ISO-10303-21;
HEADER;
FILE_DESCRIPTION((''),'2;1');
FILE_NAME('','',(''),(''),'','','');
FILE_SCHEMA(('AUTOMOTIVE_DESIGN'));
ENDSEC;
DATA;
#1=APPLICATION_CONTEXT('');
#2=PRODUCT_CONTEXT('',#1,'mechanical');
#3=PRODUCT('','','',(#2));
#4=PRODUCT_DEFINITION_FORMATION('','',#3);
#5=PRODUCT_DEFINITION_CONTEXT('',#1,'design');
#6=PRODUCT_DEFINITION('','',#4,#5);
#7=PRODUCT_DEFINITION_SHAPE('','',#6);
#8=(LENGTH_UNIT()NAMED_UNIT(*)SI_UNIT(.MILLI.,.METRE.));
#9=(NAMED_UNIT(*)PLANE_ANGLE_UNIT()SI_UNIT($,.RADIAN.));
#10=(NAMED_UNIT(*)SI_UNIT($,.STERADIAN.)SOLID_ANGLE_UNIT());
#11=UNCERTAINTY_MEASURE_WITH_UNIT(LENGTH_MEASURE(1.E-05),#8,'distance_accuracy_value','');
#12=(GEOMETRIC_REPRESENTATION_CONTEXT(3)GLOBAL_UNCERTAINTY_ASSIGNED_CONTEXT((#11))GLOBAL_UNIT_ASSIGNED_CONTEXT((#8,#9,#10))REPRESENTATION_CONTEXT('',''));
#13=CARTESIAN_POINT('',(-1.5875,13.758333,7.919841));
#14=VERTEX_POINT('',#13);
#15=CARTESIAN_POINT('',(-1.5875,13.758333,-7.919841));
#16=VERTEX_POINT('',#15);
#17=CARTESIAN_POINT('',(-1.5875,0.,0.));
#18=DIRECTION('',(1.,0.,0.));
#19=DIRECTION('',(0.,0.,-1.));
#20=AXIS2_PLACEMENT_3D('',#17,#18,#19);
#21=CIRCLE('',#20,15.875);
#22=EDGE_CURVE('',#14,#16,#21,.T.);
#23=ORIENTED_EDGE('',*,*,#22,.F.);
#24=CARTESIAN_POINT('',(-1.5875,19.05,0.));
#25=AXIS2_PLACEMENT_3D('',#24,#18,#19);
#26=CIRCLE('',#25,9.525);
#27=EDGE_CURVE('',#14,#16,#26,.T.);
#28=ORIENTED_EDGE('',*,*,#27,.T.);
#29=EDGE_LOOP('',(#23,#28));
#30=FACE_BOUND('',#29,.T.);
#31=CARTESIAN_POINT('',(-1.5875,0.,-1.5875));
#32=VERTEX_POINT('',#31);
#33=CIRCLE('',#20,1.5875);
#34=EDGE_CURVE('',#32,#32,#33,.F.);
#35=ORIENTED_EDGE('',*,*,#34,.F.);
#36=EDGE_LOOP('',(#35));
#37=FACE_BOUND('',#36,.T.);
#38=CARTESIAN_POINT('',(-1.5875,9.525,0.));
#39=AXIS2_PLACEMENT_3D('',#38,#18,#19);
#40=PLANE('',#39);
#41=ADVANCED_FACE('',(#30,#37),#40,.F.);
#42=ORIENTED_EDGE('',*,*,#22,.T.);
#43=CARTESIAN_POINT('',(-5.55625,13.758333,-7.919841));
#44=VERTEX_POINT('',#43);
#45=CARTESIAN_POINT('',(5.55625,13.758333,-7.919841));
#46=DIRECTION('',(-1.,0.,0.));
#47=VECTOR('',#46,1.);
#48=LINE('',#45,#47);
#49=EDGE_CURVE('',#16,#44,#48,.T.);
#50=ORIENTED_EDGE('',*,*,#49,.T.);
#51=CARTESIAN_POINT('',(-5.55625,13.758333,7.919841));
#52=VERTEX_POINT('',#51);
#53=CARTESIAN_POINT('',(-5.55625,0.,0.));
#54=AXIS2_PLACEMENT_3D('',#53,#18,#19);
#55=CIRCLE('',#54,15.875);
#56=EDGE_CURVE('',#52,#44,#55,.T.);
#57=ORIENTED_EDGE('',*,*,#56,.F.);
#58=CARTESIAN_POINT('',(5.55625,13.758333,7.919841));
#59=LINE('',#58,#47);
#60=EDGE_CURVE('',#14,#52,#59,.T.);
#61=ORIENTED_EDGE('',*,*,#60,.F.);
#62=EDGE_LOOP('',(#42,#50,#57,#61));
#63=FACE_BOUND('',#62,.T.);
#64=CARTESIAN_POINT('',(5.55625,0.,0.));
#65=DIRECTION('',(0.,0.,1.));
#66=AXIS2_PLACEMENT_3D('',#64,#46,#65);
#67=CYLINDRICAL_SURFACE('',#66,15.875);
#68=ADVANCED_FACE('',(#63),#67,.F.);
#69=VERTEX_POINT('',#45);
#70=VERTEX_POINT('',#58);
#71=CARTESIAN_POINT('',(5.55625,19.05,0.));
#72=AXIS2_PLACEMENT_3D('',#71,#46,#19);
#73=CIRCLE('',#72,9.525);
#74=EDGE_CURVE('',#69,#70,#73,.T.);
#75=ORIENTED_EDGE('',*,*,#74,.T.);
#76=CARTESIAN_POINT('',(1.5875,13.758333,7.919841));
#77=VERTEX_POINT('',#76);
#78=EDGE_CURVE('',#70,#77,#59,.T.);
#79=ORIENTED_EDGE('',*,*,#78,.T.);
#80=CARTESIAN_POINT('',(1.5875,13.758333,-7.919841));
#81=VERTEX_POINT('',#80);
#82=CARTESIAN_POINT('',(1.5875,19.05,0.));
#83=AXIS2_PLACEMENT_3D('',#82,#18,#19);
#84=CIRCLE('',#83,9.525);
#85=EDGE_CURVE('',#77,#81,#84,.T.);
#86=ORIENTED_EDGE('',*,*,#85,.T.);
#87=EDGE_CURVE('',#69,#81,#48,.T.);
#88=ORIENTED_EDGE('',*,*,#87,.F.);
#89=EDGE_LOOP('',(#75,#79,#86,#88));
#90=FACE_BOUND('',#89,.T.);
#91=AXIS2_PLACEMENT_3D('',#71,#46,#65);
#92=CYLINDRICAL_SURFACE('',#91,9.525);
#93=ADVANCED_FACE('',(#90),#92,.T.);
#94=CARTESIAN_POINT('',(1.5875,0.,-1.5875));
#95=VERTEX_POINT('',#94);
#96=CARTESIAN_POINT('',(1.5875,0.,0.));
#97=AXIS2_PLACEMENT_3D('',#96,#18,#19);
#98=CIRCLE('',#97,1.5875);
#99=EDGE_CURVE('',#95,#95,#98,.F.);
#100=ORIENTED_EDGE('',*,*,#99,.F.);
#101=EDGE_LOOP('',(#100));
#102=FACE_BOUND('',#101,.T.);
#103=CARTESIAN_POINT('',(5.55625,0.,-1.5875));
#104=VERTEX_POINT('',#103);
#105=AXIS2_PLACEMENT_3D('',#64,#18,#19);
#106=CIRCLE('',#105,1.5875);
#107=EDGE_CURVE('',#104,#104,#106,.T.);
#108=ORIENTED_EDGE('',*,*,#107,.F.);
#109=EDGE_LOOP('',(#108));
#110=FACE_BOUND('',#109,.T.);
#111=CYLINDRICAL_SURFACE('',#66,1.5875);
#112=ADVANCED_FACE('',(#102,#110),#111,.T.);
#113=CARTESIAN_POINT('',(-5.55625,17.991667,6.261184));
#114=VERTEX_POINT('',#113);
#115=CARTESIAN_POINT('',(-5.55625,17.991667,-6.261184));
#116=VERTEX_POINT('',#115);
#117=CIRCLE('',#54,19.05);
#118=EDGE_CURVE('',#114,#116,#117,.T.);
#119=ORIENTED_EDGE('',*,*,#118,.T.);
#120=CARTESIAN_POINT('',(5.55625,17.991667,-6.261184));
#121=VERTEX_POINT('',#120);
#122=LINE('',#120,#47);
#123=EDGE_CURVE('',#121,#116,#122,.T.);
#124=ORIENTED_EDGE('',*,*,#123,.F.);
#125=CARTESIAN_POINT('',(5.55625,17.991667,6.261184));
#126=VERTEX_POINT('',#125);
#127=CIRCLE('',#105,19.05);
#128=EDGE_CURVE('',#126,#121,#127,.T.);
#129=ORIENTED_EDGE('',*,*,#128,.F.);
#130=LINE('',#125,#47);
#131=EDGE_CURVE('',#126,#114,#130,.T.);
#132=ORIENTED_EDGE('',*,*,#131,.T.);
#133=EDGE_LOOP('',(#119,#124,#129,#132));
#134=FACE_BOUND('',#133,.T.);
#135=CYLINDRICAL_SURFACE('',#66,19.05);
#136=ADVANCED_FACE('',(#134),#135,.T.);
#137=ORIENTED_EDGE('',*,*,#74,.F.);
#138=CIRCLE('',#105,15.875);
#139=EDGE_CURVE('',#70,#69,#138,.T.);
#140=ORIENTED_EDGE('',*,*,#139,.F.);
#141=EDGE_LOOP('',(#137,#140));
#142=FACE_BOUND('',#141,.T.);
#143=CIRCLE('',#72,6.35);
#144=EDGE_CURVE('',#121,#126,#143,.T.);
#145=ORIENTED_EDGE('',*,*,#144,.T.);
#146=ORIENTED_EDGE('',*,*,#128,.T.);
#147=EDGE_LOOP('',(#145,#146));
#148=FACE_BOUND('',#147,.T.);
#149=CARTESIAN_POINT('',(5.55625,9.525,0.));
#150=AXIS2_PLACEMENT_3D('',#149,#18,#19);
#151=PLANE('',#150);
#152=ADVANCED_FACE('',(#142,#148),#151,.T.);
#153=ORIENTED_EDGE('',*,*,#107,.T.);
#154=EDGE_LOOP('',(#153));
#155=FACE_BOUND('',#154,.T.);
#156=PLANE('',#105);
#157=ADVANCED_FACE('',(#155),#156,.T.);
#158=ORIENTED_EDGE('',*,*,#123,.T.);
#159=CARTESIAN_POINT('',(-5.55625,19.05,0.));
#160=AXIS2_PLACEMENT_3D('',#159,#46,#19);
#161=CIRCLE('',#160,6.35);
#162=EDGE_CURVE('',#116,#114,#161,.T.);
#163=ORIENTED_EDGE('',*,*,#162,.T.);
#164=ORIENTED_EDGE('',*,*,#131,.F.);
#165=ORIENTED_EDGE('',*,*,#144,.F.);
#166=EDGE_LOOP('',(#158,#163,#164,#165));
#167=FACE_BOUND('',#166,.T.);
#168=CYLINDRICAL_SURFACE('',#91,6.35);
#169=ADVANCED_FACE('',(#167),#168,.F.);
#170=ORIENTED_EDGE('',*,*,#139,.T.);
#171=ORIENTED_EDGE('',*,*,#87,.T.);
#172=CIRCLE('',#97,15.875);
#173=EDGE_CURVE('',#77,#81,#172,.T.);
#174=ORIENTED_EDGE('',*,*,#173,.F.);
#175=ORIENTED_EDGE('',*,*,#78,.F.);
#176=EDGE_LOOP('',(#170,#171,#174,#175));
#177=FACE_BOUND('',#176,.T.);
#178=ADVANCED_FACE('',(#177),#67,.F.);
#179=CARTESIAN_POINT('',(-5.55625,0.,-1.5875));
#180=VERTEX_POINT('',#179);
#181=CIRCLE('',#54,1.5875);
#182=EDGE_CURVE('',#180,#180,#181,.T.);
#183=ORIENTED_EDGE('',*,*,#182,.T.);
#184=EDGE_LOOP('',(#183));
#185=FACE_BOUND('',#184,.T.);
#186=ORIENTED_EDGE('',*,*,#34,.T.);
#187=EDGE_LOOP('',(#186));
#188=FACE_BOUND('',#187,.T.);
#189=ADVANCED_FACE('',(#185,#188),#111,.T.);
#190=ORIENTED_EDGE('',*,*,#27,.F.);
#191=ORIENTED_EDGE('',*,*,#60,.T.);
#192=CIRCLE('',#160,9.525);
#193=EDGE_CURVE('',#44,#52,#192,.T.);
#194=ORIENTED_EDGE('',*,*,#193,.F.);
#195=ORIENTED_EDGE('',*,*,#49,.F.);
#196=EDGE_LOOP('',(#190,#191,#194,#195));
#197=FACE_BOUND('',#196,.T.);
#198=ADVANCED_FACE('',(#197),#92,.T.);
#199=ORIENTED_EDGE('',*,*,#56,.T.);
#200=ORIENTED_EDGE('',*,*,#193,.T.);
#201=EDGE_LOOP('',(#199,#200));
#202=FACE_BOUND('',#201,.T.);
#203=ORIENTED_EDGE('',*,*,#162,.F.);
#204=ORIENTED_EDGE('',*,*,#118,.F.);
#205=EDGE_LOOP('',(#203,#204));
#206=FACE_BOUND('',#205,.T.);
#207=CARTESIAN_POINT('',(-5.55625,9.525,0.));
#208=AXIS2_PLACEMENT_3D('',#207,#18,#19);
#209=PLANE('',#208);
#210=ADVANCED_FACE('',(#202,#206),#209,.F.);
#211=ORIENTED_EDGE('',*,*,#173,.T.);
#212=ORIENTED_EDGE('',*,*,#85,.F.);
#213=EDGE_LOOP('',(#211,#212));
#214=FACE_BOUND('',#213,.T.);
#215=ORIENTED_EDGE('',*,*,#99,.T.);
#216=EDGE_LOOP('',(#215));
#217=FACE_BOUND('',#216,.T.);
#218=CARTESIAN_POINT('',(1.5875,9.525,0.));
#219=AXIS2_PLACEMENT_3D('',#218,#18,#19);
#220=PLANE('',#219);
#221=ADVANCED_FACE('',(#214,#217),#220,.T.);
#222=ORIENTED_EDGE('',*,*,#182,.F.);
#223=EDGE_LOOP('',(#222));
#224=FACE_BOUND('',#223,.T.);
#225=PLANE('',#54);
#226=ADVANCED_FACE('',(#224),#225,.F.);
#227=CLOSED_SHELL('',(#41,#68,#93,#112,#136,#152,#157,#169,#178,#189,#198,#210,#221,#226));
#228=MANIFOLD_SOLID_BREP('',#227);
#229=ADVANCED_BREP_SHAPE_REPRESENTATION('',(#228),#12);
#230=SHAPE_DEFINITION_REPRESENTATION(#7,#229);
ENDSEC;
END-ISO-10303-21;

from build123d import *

# Parameters (mm, degrees)
BOSS_EXTRUDE1_DEPTH = 5.55625
BOSS_EXTRUDE2_DEPTH = 1.5875
SKETCH6_R           = 1.5875
BOSS_EXTRUDE3_DEPTH = 5.55625


with BuildPart() as part:
    # Sketch1 → Boss-Extrude1 (new body, symmetric)
    with BuildSketch(Plane(origin=(0, 0, 0), x_dir=(0, 0, -1), z_dir=(1, 0, 0))):
        with BuildLine():
            ThreePointArc((-6.261184437, 17.991666667), (0, -19.05), (6.261184437, 17.991666667))
            ThreePointArc((6.261184437, 17.991666667), (0, 12.7), (-6.261184437, 17.991666667))
        make_face()
        with BuildLine():
            ThreePointArc((-7.919841469, 13.758333333), (0, 9.525), (7.919841469, 13.758333333))
            ThreePointArc((7.919841469, 13.758333333), (0, -15.875), (-7.919841469, 13.758333333))
        make_face(mode=Mode.SUBTRACT)
    extrude(amount=BOSS_EXTRUDE1_DEPTH, both=True)

    # Sketch3 → Boss-Extrude2 (add, symmetric)
    with BuildSketch(Plane(origin=(0, 0, 0), x_dir=(0, 0, -1), z_dir=(1, 0, 0))):
        with BuildLine():
            ThreePointArc((-7.919841469, 13.758333333), (0, -15.875), (7.919841469, 13.758333333))
            ThreePointArc((7.919841469, 13.758333333), (0, 9.525), (-7.919841469, 13.758333333))
        make_face()
    extrude(amount=BOSS_EXTRUDE2_DEPTH, both=True)

    # Sketch6 → Boss-Extrude3 (add, symmetric)
    with BuildSketch(Plane(origin=(0, 0, 0), x_dir=(0, 0, -1), z_dir=(1, 0, 0))):
        Circle(SKETCH6_R)
    extrude(amount=BOSS_EXTRUDE3_DEPTH, both=True)


solid = part.part
